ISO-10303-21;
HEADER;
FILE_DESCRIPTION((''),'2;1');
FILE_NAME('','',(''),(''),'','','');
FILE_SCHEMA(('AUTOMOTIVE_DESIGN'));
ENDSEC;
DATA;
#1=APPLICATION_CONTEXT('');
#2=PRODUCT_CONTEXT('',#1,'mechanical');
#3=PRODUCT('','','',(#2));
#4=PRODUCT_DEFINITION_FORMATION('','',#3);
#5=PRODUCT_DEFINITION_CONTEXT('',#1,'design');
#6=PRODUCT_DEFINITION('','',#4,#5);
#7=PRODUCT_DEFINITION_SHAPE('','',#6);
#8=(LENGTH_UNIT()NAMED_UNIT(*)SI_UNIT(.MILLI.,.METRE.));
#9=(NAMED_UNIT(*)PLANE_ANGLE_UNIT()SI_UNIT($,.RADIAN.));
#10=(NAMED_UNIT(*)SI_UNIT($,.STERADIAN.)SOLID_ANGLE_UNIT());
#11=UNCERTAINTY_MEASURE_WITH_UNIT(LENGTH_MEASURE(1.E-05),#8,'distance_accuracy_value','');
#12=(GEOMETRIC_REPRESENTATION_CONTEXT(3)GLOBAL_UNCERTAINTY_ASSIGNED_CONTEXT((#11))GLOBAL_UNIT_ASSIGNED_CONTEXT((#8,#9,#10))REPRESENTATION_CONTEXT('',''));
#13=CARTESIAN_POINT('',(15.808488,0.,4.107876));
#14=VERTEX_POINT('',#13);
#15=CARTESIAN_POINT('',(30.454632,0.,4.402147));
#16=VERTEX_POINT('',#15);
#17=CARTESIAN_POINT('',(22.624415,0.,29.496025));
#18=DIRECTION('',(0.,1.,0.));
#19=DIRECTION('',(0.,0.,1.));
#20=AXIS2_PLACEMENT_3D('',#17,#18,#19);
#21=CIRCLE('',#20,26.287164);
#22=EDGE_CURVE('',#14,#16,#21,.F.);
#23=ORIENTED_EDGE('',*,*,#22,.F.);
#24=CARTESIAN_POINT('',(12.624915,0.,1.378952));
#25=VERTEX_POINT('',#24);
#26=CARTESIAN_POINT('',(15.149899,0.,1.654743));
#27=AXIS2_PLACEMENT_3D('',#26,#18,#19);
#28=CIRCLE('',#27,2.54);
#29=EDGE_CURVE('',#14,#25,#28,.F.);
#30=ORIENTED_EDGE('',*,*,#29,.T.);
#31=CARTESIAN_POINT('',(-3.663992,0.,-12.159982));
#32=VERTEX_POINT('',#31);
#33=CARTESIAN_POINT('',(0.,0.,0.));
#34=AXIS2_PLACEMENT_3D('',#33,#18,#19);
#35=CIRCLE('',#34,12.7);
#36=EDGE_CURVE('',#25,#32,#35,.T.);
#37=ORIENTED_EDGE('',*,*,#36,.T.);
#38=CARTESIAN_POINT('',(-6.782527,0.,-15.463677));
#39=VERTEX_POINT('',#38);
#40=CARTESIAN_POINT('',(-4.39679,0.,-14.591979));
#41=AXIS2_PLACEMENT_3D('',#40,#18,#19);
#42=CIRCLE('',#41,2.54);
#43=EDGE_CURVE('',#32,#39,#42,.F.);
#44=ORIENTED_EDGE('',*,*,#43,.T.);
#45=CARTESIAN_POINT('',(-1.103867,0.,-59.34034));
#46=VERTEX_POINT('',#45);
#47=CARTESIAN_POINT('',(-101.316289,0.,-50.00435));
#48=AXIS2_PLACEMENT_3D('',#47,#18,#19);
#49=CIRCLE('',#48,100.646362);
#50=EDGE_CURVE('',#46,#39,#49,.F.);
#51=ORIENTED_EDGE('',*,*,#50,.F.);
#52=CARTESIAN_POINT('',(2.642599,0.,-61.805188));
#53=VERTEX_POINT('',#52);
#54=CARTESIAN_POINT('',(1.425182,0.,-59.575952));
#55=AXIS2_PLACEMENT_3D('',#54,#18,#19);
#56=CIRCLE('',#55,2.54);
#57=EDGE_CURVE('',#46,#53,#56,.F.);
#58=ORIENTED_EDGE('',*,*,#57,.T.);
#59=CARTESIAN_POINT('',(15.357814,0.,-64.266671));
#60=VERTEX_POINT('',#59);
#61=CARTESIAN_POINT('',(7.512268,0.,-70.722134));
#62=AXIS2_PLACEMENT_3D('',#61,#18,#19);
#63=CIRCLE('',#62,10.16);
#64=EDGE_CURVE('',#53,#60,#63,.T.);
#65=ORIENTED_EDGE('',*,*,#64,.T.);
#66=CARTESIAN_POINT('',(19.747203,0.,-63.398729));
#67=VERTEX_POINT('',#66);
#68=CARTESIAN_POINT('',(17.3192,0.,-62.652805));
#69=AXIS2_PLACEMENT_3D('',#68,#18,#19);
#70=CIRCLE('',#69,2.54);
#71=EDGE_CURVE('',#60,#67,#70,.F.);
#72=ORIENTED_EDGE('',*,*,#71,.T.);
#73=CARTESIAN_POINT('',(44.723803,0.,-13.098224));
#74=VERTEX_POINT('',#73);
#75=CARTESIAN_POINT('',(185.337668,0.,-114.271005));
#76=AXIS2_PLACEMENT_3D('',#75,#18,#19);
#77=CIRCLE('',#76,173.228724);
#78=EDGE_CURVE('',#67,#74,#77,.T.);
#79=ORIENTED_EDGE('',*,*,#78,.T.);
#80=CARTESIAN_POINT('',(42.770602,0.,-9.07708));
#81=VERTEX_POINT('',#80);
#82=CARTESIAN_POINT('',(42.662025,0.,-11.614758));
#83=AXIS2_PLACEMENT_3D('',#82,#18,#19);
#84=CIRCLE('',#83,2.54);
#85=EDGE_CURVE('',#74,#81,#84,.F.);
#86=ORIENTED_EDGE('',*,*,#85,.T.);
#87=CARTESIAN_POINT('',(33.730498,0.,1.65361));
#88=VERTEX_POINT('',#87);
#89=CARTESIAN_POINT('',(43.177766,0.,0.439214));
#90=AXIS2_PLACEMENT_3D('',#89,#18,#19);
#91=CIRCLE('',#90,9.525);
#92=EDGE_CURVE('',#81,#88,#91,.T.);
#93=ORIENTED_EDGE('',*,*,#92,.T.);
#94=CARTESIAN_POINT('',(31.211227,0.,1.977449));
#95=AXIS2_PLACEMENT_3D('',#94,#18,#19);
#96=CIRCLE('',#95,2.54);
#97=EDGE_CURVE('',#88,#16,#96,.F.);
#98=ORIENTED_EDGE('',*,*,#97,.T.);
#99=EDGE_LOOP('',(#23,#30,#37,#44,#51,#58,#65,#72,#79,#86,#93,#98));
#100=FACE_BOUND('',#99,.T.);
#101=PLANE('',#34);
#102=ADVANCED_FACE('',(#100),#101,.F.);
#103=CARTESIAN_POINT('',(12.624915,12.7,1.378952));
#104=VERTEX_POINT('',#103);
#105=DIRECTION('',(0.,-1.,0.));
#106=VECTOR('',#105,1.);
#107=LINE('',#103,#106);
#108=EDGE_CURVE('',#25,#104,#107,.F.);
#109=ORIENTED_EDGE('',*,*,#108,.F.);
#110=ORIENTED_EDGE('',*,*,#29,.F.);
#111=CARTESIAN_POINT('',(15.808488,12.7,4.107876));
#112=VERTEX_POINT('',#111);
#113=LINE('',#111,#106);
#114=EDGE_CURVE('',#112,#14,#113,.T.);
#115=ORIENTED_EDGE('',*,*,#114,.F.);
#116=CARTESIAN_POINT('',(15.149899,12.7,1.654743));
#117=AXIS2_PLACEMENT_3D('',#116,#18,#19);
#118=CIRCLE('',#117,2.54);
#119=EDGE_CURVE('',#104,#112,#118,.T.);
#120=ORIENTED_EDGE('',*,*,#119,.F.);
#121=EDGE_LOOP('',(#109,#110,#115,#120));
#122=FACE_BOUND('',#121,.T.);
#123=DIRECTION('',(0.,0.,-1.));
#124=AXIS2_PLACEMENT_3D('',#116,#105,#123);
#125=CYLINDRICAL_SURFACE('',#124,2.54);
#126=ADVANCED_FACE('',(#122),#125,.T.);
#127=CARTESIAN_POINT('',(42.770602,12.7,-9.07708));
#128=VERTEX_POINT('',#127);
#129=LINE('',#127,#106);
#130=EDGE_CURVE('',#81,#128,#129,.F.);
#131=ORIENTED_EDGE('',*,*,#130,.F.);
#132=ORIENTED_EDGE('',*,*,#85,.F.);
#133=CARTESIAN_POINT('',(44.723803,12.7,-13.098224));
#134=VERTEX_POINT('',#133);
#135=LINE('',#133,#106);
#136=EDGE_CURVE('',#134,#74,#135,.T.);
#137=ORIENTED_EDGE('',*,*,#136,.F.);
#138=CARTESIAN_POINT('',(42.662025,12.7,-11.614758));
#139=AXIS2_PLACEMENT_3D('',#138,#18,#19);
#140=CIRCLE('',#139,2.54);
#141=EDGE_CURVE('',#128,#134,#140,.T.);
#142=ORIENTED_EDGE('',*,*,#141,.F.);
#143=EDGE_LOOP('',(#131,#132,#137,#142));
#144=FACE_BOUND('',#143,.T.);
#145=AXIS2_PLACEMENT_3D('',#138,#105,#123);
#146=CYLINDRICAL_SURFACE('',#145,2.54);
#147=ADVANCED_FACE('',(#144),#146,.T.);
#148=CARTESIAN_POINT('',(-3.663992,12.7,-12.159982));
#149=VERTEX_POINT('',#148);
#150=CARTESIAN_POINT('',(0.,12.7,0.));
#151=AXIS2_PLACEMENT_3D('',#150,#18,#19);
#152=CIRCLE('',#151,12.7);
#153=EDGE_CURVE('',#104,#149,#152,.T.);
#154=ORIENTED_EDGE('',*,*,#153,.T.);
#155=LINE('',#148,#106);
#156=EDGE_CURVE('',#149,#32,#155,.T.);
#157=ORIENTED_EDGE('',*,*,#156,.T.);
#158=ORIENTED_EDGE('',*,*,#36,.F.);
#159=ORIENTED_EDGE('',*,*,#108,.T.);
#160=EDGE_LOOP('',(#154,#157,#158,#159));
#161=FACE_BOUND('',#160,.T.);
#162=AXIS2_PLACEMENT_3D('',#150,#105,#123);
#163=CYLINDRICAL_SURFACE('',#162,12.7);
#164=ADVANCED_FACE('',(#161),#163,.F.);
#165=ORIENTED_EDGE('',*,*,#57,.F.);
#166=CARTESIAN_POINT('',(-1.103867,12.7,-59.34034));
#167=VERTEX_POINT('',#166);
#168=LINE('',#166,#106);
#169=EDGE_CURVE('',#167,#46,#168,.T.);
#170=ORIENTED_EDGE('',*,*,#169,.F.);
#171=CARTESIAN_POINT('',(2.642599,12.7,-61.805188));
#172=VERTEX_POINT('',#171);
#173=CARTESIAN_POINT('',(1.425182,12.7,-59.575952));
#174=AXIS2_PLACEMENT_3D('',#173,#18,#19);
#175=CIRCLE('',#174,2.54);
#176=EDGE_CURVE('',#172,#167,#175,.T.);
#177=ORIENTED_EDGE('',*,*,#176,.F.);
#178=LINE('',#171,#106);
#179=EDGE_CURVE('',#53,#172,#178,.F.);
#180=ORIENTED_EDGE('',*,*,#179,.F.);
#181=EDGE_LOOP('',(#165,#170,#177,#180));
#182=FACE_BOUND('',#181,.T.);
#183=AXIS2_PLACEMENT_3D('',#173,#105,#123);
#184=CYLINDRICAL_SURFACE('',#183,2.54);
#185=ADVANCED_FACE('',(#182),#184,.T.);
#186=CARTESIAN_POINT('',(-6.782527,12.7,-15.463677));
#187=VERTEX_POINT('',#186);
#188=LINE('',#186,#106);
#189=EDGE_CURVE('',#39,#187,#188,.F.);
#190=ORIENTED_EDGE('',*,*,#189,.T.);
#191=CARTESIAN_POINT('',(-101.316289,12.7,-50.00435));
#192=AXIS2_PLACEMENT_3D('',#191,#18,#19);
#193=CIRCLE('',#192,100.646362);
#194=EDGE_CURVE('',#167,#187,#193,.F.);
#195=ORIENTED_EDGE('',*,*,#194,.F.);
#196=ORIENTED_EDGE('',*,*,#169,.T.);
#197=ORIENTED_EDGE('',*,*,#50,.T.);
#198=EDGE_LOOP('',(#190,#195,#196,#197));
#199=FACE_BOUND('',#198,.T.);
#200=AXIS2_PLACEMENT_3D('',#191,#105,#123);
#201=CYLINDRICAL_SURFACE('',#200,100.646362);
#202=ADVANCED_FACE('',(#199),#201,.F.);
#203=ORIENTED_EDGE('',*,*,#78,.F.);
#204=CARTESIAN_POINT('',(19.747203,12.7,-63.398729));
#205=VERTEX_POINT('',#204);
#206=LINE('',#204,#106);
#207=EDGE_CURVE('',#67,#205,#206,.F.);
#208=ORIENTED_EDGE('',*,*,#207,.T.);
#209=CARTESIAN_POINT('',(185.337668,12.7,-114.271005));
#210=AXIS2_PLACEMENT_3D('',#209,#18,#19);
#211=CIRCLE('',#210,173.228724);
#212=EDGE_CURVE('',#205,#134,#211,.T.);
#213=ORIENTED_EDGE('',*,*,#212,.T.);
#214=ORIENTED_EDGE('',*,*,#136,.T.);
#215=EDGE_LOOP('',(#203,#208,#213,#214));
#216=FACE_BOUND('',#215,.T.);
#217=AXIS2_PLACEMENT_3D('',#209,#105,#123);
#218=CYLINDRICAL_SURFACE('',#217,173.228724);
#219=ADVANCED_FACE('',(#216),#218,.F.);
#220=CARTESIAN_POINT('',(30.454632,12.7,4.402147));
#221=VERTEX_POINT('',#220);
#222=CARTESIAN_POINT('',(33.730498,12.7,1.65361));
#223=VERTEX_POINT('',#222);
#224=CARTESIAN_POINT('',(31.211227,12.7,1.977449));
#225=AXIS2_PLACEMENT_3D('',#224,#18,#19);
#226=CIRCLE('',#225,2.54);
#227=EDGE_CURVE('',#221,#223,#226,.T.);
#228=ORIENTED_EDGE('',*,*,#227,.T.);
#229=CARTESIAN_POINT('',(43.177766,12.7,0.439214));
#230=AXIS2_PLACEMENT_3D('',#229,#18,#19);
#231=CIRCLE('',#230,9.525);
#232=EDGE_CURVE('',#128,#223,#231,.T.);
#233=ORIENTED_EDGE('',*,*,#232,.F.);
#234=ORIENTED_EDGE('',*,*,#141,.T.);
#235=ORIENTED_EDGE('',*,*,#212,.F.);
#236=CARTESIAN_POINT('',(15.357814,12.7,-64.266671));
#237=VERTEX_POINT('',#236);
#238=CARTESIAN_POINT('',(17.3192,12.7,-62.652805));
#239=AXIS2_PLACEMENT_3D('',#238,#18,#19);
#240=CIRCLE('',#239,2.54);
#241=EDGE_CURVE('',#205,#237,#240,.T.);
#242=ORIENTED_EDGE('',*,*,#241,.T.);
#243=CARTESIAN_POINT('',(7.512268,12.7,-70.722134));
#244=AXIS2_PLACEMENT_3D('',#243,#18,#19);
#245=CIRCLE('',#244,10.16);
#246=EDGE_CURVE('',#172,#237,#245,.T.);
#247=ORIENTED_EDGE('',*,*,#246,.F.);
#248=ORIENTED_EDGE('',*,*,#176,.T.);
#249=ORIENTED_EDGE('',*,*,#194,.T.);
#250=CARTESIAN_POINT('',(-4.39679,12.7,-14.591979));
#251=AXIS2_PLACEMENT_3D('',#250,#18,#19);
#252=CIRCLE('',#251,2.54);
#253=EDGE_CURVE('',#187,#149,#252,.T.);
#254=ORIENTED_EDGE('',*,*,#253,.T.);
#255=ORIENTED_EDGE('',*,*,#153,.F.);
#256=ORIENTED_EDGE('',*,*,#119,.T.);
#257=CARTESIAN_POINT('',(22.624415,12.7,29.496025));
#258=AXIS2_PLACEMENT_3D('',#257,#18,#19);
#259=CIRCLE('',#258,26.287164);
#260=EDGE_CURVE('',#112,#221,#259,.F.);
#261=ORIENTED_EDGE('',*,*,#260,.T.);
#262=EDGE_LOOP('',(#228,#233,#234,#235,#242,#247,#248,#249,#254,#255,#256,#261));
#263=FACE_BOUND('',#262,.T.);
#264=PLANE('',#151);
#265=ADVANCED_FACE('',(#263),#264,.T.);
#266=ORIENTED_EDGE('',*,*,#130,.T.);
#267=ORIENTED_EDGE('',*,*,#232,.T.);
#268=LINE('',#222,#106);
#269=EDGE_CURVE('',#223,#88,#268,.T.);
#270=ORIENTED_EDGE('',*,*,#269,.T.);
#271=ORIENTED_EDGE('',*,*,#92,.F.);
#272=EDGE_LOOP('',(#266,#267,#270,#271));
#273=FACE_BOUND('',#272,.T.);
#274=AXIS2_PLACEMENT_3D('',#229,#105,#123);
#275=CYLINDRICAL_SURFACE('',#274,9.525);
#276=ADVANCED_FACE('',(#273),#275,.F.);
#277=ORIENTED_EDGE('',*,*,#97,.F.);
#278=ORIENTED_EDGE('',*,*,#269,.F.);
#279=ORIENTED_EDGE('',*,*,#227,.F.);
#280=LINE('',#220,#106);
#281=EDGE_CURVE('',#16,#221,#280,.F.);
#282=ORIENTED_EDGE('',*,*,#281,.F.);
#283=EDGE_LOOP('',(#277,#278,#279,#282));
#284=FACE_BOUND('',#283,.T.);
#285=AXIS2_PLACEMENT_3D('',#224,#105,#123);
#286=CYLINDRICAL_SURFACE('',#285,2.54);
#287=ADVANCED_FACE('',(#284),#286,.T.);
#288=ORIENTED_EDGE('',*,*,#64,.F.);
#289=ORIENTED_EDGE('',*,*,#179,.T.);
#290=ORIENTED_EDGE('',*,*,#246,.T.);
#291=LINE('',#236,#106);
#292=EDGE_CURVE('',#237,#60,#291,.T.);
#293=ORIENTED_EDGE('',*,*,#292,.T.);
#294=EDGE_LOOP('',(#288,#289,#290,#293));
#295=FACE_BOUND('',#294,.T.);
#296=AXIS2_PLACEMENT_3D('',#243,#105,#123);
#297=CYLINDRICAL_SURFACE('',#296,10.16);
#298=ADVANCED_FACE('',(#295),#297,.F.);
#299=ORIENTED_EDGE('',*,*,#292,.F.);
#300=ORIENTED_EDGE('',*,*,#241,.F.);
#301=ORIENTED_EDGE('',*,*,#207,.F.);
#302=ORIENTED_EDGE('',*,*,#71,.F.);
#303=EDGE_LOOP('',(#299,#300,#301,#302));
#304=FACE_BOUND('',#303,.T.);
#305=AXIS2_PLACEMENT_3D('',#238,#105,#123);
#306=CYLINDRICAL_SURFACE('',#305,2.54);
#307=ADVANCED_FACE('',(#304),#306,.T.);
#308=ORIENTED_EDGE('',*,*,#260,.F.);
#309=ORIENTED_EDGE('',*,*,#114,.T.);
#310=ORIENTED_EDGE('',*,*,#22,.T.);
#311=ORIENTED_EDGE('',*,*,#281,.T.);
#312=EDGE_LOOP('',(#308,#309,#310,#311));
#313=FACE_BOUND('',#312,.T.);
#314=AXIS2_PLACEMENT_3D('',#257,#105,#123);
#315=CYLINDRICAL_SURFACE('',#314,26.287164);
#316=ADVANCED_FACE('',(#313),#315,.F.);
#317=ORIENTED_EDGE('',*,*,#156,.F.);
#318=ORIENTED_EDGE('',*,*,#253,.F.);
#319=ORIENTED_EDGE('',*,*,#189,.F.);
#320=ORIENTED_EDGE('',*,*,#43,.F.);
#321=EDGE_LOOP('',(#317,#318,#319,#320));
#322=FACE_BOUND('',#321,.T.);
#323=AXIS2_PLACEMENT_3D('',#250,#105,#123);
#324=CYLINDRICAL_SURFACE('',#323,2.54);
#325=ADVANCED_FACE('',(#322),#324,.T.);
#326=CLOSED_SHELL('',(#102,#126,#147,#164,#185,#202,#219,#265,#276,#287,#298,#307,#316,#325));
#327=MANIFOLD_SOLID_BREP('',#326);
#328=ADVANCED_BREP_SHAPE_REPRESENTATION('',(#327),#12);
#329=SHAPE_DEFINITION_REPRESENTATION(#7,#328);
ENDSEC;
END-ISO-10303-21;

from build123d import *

# Parameters (mm, degrees)
BOSS_EXTRUDE1_DEPTH = 12.7
FILLET1_R           = 2.54


with BuildPart() as part:
    # Sketch1 → Boss-Extrude1 (new body)
    with BuildSketch(Plane(origin=(0, 0, 0), x_dir=(1, 0, 0), z_dir=(0, 1, 0))):
        with BuildLine():
            ThreePointArc((-9.841918443, 8.026620793), (4.260142942, 11.964162408), (12.7, 0))
            ThreePointArc((12.7, 0), (12.349099919, -2.964748082), (11.315790364, -5.765664614))
            ThreePointArc((11.315790364, -5.765664614), (23.993952322, -3.244561181), (36.340951501, -7.071226105))
            ThreePointArc((36.340951501, -7.071226105), (36.414038972, 6.267321996), (49.751485572, 6.453669581))
            ThreePointArc((49.751485572, 6.453669581), (30.344153641, 36.906923092), (17.672267645, 70.722133981))
            ThreePointArc((17.672267645, 70.722133981), (8.792640174, 60.643133724), (-2.325024911, 68.181804248))
            ThreePointArc((-2.325024911, 68.181804248), (-1.446618844, 37.524798959), (-9.841918443, 8.026620793))
        make_face()
    extrude(amount=BOSS_EXTRUDE1_DEPTH)

    # Fillet1
    fillet1_edges = [part.edges().sort_by_distance(p)[0] for p in [
        (-9.841918443, 6.35, -8.026620793),
        (-2.325024911, 6.35, -68.181804248),
        (17.672267645, 6.35, -70.722133981),
        (49.751485572, 6.35, -6.453669581),
        (36.340951501, 6.35, 7.071226105),
        (11.315790364, 6.35, 5.765664614),
    ]]
    fillet(fillet1_edges, radius=FILLET1_R)


solid = part.part
